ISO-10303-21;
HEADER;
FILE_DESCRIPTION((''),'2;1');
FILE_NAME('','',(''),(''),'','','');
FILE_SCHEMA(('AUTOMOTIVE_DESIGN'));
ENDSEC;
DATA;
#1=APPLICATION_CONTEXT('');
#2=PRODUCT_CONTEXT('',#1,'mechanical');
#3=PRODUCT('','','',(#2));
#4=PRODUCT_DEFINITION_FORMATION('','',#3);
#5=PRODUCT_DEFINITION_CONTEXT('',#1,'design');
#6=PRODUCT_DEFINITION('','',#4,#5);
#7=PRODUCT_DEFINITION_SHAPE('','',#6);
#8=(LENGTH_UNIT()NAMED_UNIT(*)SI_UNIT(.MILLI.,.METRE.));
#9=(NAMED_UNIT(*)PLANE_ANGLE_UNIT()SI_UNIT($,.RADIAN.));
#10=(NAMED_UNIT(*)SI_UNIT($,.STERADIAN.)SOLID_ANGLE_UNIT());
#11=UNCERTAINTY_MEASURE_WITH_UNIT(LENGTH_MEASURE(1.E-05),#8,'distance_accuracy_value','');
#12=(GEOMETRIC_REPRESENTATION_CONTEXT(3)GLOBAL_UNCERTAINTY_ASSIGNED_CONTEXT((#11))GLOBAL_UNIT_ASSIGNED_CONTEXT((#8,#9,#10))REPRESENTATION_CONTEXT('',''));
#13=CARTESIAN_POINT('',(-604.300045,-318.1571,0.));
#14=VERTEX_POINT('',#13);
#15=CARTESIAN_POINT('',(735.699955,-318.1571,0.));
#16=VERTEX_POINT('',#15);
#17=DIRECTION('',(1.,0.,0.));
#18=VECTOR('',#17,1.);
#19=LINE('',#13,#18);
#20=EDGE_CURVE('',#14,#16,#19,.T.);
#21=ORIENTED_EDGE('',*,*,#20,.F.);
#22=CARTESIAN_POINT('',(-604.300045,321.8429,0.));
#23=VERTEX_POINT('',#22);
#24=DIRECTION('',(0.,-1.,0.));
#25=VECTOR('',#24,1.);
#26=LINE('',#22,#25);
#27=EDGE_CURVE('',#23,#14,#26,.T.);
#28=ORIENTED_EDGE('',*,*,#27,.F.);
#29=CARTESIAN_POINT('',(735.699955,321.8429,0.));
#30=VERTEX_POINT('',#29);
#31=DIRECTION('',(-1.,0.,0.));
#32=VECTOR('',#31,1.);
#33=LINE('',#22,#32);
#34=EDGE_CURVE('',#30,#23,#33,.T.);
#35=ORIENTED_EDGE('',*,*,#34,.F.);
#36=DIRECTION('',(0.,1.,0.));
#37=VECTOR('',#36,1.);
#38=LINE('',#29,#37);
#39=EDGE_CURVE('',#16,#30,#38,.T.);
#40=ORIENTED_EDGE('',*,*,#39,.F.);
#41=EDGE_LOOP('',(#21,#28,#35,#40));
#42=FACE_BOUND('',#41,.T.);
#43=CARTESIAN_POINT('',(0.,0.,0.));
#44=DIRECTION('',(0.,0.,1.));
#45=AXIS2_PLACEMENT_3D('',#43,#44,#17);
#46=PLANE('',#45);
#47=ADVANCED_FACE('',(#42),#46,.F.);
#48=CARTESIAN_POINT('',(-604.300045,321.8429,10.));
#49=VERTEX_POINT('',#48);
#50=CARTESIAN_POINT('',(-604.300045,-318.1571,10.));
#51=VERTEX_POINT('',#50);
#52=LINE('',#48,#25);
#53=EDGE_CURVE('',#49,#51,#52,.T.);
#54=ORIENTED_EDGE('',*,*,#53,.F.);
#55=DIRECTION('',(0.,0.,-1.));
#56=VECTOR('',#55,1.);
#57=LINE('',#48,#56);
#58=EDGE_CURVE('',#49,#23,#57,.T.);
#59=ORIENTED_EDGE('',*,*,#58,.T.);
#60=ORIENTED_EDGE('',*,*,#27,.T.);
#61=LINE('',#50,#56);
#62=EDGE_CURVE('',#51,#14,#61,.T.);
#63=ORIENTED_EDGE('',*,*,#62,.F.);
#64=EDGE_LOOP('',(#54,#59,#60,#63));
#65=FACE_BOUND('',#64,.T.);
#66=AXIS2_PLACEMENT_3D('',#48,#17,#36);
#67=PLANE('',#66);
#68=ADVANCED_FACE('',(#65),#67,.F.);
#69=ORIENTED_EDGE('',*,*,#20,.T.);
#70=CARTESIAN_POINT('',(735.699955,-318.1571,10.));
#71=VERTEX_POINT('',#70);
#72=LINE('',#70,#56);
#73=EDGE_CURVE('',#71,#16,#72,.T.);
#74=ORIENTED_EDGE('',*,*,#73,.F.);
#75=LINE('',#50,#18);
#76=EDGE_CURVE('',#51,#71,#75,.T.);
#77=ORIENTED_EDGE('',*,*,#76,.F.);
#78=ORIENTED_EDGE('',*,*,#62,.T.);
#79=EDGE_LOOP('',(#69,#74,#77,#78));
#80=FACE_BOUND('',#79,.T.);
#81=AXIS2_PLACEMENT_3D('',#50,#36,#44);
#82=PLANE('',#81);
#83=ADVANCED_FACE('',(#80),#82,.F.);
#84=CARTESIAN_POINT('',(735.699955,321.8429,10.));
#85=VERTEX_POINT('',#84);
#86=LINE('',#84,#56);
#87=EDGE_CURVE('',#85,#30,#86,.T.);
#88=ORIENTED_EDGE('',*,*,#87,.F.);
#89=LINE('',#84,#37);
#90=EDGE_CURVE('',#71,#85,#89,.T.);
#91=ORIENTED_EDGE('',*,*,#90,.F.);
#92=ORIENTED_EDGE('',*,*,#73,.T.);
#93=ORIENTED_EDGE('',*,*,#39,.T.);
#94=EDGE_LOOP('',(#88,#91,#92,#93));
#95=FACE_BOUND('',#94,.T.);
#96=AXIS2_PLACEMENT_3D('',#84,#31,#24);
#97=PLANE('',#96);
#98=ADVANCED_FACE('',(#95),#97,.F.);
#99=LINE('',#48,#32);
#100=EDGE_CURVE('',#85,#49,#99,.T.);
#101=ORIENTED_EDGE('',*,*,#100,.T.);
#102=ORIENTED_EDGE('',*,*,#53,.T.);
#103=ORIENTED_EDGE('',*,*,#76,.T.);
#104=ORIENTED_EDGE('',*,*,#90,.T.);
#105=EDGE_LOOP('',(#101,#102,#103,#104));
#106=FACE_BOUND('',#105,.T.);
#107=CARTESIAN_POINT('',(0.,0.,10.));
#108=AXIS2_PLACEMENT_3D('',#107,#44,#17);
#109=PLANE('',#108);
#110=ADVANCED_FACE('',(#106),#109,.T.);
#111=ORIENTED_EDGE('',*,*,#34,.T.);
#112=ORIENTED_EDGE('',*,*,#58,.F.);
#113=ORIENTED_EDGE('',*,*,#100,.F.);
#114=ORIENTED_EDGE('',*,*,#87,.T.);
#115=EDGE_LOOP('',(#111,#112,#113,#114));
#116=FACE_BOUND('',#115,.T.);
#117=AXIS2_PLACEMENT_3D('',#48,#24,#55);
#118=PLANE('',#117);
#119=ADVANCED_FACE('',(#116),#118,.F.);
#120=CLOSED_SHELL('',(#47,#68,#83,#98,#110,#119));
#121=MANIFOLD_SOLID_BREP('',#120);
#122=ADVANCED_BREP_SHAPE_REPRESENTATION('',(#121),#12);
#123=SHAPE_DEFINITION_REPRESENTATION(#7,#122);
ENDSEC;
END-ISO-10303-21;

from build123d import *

# Parameters (mm, degrees)
SZKIC1_W                    = 1340
SZKIC1_H                    = 640
DODANIE_WYCI_GNI_CIE1_DEPTH = 10


with BuildPart() as part:
    # Szkic1 → Dodanie-wyciągnięcie1 (new body)
    with BuildSketch(Plane.XY):
        with Locations((65.699954567, 1.842900302)):
            Rectangle(SZKIC1_W, SZKIC1_H)
    extrude(amount=DODANIE_WYCI_GNI_CIE1_DEPTH)


solid = part.part
